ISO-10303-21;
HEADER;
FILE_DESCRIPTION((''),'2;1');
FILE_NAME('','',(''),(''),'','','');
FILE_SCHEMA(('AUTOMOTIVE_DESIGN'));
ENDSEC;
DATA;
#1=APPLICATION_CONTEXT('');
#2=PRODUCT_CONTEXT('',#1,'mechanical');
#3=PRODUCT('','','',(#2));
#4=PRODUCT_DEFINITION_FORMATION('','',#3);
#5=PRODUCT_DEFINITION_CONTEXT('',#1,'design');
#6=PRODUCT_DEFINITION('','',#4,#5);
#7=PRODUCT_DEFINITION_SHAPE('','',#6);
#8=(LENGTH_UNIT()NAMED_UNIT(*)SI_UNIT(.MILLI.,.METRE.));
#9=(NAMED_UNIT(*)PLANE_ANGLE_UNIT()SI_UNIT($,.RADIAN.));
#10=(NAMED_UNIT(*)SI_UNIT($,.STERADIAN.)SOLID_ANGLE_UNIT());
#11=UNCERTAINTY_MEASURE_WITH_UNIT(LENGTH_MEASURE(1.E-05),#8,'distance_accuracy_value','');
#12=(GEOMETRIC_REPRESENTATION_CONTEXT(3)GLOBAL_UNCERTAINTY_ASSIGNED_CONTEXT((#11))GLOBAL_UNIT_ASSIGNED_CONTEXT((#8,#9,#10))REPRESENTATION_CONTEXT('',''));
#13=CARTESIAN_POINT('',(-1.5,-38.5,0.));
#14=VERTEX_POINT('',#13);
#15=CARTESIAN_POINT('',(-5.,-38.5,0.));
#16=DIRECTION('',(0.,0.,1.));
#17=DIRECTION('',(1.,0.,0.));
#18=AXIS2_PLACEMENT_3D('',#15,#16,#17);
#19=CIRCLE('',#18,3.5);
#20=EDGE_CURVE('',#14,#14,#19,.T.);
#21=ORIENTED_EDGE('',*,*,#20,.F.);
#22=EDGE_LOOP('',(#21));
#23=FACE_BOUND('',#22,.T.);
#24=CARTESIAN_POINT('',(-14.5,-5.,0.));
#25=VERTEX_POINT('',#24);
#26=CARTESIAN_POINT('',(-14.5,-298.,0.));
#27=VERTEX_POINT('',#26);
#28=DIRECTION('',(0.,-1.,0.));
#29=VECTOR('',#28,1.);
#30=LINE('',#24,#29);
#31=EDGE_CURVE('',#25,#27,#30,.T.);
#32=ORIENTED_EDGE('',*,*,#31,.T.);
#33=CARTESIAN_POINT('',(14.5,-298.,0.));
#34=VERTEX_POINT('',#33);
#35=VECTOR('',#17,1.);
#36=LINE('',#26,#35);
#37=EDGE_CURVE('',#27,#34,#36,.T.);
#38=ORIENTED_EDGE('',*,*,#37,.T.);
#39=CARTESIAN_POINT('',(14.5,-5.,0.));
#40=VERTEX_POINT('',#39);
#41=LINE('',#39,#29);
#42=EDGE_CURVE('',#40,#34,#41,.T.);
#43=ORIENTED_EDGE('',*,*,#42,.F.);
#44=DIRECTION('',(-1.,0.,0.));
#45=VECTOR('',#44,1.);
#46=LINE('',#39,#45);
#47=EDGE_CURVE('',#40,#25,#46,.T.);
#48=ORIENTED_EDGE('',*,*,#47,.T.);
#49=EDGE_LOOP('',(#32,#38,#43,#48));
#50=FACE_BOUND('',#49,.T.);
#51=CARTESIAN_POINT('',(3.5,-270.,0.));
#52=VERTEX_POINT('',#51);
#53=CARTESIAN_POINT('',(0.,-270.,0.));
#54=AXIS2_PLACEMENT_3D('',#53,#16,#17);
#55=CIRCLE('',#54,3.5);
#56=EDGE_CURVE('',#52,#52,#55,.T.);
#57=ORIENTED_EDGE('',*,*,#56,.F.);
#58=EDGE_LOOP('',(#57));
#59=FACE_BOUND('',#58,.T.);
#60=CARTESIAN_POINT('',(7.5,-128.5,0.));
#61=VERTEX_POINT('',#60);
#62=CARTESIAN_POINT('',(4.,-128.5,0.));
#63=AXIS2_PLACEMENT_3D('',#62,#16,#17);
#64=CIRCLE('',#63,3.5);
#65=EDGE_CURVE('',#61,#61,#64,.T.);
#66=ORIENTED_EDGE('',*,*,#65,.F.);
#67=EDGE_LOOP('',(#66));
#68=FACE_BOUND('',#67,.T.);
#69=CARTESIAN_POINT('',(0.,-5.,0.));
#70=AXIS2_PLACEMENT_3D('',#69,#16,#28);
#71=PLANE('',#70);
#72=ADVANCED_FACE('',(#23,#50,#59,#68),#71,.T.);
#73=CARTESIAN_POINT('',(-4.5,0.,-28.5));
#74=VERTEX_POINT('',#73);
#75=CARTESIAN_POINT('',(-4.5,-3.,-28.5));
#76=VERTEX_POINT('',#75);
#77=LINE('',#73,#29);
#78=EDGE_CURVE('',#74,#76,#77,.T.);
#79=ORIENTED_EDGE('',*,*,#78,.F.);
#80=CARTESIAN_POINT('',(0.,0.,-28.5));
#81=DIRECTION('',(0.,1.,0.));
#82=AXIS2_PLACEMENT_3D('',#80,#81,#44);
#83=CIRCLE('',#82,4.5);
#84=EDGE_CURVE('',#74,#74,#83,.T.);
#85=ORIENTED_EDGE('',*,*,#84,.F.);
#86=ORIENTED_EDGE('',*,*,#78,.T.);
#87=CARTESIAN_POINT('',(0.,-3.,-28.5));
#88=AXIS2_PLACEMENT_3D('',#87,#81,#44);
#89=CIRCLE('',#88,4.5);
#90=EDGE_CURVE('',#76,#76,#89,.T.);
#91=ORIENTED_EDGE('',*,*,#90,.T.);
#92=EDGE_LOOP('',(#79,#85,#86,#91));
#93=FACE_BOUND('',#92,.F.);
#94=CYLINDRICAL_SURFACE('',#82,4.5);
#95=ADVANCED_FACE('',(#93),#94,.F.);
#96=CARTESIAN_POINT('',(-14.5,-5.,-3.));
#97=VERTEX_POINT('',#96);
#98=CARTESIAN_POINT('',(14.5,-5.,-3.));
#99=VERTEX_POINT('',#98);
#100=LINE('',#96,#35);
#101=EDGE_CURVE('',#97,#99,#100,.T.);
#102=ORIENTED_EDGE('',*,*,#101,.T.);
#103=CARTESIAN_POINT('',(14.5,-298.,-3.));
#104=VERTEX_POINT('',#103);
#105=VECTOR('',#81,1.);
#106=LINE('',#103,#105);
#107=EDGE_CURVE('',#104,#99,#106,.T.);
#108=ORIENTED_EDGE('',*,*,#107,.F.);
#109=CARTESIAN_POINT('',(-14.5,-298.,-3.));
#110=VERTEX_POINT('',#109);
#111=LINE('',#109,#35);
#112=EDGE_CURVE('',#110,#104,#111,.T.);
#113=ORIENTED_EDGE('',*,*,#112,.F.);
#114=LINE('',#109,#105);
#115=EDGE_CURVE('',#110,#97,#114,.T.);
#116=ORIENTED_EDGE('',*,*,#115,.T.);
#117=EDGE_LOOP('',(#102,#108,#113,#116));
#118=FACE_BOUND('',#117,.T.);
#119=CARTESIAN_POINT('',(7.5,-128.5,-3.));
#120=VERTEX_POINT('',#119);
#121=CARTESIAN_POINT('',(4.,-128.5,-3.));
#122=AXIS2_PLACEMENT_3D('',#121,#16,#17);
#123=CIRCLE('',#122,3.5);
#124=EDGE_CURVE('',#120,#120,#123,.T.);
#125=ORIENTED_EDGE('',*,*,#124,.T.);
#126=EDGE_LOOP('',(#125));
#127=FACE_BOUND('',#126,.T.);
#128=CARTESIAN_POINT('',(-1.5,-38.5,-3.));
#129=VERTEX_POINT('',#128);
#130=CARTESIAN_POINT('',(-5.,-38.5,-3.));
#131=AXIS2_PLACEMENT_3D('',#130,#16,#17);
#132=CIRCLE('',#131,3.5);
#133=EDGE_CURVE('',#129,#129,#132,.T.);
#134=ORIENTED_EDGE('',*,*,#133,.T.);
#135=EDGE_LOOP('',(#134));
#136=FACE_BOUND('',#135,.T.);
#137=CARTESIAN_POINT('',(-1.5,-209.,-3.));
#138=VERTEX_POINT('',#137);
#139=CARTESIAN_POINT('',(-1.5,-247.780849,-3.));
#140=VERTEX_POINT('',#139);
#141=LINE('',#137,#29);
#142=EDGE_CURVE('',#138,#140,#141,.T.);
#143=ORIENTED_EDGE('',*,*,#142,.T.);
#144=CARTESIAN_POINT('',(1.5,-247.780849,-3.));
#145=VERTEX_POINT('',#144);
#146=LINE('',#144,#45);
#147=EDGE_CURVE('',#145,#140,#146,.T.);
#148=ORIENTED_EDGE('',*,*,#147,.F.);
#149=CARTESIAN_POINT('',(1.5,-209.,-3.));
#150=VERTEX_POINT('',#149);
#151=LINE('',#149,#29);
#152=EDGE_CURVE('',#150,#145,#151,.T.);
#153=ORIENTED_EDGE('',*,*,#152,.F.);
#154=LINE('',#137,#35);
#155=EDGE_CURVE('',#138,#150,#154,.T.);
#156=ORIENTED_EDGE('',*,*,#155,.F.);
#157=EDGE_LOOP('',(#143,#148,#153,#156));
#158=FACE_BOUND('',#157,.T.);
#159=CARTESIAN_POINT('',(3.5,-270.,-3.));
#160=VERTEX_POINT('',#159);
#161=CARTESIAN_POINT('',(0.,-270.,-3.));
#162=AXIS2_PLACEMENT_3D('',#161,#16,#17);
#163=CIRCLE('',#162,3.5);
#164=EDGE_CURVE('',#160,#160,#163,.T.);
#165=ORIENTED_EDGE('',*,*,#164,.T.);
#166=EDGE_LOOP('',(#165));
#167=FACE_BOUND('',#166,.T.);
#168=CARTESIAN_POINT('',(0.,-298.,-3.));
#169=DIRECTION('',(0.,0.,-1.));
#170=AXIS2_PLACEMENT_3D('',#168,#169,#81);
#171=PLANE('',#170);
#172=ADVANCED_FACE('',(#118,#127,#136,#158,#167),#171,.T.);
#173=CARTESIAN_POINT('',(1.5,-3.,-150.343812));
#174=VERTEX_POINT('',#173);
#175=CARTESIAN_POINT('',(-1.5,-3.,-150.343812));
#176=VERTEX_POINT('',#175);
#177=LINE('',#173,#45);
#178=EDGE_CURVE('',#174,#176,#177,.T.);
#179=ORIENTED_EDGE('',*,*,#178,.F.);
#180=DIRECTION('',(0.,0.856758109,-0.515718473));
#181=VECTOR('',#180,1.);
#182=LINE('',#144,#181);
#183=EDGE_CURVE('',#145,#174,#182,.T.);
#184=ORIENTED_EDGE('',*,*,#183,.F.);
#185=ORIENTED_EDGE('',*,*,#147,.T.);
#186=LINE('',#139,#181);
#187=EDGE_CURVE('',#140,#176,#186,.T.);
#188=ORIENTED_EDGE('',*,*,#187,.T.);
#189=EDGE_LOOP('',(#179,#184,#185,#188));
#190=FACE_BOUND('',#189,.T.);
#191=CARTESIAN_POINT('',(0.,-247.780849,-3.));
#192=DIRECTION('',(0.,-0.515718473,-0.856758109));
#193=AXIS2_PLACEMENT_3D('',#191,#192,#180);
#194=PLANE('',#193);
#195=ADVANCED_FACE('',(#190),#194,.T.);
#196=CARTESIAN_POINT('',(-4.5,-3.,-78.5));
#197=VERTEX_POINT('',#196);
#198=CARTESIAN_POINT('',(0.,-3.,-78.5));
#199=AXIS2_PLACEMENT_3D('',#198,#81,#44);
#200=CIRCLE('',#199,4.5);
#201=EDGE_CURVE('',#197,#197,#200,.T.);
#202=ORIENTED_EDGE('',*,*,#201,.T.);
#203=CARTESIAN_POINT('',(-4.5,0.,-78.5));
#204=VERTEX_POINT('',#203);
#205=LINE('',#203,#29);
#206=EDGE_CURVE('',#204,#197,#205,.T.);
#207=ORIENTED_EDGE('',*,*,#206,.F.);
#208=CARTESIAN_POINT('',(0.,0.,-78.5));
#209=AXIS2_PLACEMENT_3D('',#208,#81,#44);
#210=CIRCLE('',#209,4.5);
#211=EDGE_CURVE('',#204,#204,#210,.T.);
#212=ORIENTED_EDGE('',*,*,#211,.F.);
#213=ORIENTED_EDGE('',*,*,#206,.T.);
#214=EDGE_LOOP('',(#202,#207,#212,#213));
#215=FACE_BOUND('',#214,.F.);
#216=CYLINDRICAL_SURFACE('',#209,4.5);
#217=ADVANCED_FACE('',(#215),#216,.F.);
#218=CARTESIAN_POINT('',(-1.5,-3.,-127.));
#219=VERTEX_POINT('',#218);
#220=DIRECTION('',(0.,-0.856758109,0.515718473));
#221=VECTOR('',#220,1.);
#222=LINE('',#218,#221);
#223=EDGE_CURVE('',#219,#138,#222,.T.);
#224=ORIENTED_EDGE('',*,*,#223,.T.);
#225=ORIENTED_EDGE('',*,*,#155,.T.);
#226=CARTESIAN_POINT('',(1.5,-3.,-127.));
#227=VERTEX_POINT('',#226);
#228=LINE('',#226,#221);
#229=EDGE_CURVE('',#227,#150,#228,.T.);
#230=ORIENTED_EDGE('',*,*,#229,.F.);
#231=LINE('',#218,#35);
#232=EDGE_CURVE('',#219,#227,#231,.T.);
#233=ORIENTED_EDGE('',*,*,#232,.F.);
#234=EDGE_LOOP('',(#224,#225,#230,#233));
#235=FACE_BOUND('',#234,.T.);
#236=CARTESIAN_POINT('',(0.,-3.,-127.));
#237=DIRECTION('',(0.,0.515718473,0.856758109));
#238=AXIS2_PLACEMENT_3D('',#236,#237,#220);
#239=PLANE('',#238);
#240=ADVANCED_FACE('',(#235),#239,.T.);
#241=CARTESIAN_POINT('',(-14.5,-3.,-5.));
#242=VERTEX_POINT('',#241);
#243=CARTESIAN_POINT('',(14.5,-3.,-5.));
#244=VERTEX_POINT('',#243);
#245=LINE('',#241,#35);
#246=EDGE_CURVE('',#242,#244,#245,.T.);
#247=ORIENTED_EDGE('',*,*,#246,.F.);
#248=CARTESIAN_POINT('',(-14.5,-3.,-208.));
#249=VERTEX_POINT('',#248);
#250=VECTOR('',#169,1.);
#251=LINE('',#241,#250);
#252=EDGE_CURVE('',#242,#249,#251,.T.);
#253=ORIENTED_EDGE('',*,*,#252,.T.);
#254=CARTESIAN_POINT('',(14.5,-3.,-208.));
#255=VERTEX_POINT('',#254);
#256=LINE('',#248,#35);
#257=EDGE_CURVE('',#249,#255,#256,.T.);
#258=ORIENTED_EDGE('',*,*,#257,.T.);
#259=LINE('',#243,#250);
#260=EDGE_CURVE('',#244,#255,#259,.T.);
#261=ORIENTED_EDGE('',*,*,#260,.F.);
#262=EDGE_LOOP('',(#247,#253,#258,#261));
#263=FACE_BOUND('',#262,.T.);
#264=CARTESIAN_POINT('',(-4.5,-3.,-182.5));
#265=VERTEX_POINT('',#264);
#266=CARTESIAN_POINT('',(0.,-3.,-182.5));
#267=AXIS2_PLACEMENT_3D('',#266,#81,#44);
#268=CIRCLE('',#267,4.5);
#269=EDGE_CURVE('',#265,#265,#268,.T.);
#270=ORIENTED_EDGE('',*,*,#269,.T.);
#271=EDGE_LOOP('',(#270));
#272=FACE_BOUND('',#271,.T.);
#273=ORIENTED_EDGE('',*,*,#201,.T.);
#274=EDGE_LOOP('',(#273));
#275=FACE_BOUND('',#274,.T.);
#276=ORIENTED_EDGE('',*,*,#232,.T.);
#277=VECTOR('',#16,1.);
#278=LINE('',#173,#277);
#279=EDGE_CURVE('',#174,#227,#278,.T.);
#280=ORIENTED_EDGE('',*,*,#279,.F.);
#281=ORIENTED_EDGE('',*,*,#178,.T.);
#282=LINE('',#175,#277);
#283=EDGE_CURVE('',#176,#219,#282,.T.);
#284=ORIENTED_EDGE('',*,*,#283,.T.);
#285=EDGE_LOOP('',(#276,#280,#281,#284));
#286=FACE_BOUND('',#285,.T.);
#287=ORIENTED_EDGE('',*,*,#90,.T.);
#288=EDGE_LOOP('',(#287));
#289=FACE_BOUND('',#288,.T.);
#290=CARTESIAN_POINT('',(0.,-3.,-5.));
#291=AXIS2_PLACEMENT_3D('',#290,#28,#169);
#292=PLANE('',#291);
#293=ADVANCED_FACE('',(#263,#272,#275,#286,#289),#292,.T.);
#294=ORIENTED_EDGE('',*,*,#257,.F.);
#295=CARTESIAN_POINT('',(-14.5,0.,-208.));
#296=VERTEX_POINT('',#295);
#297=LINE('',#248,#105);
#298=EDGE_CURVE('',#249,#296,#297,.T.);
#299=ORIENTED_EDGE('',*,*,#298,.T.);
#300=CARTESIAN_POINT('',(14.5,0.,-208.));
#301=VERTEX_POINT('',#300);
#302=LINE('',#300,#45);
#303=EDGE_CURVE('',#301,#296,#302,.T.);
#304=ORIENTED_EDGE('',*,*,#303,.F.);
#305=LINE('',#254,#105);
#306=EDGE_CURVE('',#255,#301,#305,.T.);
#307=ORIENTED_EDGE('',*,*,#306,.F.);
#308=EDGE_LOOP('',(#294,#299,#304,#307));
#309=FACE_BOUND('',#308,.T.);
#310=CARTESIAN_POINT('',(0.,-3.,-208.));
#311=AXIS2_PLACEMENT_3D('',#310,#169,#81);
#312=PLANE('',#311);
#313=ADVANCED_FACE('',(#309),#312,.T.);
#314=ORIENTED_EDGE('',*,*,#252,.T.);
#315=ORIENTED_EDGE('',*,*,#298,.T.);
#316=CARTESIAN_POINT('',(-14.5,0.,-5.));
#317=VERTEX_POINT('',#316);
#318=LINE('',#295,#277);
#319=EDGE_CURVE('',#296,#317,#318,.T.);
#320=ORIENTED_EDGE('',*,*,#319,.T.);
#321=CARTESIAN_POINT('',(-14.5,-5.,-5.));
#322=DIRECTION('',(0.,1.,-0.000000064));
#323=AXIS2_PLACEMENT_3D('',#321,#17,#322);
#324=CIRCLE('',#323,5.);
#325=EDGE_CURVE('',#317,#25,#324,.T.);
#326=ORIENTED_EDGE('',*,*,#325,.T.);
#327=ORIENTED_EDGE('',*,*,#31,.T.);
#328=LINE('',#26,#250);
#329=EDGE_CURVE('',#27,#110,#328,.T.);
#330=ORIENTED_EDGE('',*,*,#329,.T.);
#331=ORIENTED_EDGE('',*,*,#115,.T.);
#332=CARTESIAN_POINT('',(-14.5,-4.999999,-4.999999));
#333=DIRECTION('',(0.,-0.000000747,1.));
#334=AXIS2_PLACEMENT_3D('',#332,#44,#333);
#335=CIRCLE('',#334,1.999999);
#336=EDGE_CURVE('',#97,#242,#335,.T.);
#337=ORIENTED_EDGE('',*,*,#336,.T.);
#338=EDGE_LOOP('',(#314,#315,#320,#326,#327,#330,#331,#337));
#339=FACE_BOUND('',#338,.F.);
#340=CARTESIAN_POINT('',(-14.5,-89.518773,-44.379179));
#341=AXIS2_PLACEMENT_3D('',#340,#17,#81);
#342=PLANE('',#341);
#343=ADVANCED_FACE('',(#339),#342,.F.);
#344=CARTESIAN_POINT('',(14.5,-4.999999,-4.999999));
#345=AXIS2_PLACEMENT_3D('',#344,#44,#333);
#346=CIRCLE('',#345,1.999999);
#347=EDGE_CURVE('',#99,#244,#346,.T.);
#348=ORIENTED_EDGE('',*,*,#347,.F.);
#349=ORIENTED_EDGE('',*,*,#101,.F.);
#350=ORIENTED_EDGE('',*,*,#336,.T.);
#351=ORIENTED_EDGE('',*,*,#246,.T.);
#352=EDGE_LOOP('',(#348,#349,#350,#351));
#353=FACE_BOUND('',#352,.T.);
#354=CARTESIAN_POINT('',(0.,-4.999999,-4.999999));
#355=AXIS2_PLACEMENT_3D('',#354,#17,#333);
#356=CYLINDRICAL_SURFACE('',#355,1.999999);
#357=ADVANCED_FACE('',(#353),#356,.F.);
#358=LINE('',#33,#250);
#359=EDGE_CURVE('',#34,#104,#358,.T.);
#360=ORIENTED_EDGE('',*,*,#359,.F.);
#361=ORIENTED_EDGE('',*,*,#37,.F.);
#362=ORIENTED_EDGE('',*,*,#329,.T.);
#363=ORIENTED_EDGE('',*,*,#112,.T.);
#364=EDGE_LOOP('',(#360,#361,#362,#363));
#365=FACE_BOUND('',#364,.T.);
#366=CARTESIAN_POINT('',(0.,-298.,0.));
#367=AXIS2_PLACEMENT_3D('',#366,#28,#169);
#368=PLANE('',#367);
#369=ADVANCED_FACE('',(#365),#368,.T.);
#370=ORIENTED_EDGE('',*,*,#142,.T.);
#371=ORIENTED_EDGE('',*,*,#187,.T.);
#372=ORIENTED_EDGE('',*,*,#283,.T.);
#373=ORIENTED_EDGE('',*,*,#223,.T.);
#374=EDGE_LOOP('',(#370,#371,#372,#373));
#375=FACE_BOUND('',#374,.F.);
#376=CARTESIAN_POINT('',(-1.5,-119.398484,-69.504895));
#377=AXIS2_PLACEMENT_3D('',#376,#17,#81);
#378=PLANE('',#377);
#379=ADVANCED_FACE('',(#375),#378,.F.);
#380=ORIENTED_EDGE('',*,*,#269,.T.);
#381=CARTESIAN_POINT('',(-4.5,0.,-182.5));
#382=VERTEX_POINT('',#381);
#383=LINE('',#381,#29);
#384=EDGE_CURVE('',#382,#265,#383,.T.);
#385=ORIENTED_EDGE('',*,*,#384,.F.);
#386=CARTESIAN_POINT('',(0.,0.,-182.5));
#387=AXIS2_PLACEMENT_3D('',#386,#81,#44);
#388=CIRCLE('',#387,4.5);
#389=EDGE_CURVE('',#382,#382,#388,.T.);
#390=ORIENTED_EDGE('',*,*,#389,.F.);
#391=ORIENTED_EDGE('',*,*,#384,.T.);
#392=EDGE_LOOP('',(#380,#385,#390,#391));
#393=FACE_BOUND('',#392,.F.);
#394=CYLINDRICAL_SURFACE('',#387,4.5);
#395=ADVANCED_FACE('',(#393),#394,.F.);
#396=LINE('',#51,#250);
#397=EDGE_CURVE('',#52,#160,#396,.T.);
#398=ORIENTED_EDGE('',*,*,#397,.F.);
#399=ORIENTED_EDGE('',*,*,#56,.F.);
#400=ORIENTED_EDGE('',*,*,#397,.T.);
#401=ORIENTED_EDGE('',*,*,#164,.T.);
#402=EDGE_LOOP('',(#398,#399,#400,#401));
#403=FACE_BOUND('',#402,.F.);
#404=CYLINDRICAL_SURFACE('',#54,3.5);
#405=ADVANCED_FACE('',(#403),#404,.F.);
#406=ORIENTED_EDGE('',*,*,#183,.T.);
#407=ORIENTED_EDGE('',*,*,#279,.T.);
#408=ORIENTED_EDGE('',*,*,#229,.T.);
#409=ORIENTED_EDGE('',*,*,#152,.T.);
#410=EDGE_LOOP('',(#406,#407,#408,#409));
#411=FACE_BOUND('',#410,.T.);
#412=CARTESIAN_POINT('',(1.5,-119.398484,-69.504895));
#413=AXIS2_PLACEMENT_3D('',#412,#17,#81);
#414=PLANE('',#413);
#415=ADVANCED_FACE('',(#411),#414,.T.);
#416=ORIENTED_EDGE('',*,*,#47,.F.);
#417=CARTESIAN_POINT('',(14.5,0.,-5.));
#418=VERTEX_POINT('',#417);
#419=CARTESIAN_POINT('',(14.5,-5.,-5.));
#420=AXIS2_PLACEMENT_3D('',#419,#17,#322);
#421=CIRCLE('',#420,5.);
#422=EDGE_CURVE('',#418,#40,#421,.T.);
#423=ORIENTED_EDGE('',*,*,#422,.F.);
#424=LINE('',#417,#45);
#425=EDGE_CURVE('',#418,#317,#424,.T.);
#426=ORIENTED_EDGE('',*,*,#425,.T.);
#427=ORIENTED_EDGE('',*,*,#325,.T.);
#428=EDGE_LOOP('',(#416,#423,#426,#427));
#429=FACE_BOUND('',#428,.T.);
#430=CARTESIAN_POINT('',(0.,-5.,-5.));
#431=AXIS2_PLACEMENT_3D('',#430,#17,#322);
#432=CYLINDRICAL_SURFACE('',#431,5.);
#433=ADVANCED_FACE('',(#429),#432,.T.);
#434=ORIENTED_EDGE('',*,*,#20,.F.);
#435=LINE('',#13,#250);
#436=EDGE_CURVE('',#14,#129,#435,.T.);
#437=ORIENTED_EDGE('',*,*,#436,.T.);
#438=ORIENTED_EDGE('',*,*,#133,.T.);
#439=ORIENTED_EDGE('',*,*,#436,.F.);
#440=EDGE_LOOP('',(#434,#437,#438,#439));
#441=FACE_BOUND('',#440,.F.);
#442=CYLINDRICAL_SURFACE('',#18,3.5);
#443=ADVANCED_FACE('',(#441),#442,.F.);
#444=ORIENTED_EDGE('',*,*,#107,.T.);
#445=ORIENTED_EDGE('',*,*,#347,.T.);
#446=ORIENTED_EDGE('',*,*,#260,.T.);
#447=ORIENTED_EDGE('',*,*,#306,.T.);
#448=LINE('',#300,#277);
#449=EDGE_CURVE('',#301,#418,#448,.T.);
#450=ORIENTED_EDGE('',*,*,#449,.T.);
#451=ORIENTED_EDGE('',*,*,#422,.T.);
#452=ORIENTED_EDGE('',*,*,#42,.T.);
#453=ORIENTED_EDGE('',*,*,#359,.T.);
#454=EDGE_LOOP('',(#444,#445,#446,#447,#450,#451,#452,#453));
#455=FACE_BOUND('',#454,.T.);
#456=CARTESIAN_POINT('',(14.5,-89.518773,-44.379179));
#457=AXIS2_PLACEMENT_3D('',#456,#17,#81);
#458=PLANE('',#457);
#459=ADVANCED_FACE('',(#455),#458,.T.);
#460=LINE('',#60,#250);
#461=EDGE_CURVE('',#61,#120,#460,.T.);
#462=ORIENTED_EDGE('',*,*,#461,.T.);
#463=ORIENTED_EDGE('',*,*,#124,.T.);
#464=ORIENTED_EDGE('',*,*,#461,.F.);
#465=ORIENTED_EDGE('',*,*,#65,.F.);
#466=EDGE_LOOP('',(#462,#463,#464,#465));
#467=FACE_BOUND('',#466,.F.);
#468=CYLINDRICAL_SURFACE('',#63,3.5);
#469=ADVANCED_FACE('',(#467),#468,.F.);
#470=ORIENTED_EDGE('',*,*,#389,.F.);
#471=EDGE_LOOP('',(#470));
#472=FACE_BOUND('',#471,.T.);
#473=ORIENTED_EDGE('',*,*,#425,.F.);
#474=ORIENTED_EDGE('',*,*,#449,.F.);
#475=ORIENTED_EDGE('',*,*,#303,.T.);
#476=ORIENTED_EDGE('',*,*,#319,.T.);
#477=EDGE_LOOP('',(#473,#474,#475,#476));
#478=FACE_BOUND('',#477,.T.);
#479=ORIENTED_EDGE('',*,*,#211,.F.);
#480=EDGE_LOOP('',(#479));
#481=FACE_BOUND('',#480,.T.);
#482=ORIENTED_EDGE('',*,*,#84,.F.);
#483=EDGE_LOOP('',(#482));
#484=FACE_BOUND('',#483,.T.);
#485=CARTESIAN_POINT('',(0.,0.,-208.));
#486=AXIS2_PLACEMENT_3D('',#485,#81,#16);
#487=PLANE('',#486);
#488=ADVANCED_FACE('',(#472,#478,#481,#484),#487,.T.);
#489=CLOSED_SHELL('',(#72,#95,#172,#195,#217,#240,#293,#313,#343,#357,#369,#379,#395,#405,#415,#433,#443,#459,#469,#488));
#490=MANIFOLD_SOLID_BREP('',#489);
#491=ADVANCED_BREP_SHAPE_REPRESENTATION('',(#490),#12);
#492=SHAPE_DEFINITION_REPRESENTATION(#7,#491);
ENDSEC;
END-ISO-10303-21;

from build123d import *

# Parameters (mm, degrees)
F1_DEPTH = 14.5
F3_DEPTH = 1.5
F4_R     = 4.5
F5_DEPTH = 3
F6_R     = 3.5
F7_DEPTH = 3


with BuildPart() as f1:
    # F0 (on Right) → F1 (new body, symmetric)
    with BuildSketch(Plane.YZ):
        with BuildLine():
            Line((-5, 0), (-298, 0))
            Line((-298, 0), (-298, -3))
            Line((-298, -3), (-5, -3))
            ThreePointArc((-5, -3), (-3.585786, -3.585786), (-3, -5))
            Line((-3, -5), (-3, -208))
            Line((-3, -208), (0, -208))
            Line((0, -208), (0, -5))
            ThreePointArc((0, -5), (-1.464466, -1.464466), (-5, 0))
        make_face()
    extrude(amount=F1_DEPTH, both=True)

    # F2 (on Right) → F3 (join, symmetric)
    with BuildSketch(Plane.YZ):
        Polygon((-3, -150.343812), (-3, -127), (-209, -3), (-247.780849, -3), align=None)
    extrude(amount=F3_DEPTH, both=True)

    # F4 (on face) → F5 (cut)
    with BuildSketch(Plane(origin=(0, 0, 0), x_dir=(-1, 0, 0), z_dir=(0, 1, 0))):
        with Locations((0, -28.5)):
            Circle(F4_R)
        with Locations((0, -78.5)):
            Circle(F4_R)
        with Locations((0, -182.5)):
            Circle(F4_R)
    extrude(amount=-F5_DEPTH, mode=Mode.SUBTRACT)

    # F6 (on face) → F7 (cut)
    with BuildSketch(Plane.XY):
        with Locations((-5, -38.5)):
            Circle(F6_R)
        with Locations((4, -128.5)):
            Circle(F6_R)
        with Locations((0, -270)):
            Circle(F6_R)
    extrude(amount=-F7_DEPTH, mode=Mode.SUBTRACT)


solid = f1.part
